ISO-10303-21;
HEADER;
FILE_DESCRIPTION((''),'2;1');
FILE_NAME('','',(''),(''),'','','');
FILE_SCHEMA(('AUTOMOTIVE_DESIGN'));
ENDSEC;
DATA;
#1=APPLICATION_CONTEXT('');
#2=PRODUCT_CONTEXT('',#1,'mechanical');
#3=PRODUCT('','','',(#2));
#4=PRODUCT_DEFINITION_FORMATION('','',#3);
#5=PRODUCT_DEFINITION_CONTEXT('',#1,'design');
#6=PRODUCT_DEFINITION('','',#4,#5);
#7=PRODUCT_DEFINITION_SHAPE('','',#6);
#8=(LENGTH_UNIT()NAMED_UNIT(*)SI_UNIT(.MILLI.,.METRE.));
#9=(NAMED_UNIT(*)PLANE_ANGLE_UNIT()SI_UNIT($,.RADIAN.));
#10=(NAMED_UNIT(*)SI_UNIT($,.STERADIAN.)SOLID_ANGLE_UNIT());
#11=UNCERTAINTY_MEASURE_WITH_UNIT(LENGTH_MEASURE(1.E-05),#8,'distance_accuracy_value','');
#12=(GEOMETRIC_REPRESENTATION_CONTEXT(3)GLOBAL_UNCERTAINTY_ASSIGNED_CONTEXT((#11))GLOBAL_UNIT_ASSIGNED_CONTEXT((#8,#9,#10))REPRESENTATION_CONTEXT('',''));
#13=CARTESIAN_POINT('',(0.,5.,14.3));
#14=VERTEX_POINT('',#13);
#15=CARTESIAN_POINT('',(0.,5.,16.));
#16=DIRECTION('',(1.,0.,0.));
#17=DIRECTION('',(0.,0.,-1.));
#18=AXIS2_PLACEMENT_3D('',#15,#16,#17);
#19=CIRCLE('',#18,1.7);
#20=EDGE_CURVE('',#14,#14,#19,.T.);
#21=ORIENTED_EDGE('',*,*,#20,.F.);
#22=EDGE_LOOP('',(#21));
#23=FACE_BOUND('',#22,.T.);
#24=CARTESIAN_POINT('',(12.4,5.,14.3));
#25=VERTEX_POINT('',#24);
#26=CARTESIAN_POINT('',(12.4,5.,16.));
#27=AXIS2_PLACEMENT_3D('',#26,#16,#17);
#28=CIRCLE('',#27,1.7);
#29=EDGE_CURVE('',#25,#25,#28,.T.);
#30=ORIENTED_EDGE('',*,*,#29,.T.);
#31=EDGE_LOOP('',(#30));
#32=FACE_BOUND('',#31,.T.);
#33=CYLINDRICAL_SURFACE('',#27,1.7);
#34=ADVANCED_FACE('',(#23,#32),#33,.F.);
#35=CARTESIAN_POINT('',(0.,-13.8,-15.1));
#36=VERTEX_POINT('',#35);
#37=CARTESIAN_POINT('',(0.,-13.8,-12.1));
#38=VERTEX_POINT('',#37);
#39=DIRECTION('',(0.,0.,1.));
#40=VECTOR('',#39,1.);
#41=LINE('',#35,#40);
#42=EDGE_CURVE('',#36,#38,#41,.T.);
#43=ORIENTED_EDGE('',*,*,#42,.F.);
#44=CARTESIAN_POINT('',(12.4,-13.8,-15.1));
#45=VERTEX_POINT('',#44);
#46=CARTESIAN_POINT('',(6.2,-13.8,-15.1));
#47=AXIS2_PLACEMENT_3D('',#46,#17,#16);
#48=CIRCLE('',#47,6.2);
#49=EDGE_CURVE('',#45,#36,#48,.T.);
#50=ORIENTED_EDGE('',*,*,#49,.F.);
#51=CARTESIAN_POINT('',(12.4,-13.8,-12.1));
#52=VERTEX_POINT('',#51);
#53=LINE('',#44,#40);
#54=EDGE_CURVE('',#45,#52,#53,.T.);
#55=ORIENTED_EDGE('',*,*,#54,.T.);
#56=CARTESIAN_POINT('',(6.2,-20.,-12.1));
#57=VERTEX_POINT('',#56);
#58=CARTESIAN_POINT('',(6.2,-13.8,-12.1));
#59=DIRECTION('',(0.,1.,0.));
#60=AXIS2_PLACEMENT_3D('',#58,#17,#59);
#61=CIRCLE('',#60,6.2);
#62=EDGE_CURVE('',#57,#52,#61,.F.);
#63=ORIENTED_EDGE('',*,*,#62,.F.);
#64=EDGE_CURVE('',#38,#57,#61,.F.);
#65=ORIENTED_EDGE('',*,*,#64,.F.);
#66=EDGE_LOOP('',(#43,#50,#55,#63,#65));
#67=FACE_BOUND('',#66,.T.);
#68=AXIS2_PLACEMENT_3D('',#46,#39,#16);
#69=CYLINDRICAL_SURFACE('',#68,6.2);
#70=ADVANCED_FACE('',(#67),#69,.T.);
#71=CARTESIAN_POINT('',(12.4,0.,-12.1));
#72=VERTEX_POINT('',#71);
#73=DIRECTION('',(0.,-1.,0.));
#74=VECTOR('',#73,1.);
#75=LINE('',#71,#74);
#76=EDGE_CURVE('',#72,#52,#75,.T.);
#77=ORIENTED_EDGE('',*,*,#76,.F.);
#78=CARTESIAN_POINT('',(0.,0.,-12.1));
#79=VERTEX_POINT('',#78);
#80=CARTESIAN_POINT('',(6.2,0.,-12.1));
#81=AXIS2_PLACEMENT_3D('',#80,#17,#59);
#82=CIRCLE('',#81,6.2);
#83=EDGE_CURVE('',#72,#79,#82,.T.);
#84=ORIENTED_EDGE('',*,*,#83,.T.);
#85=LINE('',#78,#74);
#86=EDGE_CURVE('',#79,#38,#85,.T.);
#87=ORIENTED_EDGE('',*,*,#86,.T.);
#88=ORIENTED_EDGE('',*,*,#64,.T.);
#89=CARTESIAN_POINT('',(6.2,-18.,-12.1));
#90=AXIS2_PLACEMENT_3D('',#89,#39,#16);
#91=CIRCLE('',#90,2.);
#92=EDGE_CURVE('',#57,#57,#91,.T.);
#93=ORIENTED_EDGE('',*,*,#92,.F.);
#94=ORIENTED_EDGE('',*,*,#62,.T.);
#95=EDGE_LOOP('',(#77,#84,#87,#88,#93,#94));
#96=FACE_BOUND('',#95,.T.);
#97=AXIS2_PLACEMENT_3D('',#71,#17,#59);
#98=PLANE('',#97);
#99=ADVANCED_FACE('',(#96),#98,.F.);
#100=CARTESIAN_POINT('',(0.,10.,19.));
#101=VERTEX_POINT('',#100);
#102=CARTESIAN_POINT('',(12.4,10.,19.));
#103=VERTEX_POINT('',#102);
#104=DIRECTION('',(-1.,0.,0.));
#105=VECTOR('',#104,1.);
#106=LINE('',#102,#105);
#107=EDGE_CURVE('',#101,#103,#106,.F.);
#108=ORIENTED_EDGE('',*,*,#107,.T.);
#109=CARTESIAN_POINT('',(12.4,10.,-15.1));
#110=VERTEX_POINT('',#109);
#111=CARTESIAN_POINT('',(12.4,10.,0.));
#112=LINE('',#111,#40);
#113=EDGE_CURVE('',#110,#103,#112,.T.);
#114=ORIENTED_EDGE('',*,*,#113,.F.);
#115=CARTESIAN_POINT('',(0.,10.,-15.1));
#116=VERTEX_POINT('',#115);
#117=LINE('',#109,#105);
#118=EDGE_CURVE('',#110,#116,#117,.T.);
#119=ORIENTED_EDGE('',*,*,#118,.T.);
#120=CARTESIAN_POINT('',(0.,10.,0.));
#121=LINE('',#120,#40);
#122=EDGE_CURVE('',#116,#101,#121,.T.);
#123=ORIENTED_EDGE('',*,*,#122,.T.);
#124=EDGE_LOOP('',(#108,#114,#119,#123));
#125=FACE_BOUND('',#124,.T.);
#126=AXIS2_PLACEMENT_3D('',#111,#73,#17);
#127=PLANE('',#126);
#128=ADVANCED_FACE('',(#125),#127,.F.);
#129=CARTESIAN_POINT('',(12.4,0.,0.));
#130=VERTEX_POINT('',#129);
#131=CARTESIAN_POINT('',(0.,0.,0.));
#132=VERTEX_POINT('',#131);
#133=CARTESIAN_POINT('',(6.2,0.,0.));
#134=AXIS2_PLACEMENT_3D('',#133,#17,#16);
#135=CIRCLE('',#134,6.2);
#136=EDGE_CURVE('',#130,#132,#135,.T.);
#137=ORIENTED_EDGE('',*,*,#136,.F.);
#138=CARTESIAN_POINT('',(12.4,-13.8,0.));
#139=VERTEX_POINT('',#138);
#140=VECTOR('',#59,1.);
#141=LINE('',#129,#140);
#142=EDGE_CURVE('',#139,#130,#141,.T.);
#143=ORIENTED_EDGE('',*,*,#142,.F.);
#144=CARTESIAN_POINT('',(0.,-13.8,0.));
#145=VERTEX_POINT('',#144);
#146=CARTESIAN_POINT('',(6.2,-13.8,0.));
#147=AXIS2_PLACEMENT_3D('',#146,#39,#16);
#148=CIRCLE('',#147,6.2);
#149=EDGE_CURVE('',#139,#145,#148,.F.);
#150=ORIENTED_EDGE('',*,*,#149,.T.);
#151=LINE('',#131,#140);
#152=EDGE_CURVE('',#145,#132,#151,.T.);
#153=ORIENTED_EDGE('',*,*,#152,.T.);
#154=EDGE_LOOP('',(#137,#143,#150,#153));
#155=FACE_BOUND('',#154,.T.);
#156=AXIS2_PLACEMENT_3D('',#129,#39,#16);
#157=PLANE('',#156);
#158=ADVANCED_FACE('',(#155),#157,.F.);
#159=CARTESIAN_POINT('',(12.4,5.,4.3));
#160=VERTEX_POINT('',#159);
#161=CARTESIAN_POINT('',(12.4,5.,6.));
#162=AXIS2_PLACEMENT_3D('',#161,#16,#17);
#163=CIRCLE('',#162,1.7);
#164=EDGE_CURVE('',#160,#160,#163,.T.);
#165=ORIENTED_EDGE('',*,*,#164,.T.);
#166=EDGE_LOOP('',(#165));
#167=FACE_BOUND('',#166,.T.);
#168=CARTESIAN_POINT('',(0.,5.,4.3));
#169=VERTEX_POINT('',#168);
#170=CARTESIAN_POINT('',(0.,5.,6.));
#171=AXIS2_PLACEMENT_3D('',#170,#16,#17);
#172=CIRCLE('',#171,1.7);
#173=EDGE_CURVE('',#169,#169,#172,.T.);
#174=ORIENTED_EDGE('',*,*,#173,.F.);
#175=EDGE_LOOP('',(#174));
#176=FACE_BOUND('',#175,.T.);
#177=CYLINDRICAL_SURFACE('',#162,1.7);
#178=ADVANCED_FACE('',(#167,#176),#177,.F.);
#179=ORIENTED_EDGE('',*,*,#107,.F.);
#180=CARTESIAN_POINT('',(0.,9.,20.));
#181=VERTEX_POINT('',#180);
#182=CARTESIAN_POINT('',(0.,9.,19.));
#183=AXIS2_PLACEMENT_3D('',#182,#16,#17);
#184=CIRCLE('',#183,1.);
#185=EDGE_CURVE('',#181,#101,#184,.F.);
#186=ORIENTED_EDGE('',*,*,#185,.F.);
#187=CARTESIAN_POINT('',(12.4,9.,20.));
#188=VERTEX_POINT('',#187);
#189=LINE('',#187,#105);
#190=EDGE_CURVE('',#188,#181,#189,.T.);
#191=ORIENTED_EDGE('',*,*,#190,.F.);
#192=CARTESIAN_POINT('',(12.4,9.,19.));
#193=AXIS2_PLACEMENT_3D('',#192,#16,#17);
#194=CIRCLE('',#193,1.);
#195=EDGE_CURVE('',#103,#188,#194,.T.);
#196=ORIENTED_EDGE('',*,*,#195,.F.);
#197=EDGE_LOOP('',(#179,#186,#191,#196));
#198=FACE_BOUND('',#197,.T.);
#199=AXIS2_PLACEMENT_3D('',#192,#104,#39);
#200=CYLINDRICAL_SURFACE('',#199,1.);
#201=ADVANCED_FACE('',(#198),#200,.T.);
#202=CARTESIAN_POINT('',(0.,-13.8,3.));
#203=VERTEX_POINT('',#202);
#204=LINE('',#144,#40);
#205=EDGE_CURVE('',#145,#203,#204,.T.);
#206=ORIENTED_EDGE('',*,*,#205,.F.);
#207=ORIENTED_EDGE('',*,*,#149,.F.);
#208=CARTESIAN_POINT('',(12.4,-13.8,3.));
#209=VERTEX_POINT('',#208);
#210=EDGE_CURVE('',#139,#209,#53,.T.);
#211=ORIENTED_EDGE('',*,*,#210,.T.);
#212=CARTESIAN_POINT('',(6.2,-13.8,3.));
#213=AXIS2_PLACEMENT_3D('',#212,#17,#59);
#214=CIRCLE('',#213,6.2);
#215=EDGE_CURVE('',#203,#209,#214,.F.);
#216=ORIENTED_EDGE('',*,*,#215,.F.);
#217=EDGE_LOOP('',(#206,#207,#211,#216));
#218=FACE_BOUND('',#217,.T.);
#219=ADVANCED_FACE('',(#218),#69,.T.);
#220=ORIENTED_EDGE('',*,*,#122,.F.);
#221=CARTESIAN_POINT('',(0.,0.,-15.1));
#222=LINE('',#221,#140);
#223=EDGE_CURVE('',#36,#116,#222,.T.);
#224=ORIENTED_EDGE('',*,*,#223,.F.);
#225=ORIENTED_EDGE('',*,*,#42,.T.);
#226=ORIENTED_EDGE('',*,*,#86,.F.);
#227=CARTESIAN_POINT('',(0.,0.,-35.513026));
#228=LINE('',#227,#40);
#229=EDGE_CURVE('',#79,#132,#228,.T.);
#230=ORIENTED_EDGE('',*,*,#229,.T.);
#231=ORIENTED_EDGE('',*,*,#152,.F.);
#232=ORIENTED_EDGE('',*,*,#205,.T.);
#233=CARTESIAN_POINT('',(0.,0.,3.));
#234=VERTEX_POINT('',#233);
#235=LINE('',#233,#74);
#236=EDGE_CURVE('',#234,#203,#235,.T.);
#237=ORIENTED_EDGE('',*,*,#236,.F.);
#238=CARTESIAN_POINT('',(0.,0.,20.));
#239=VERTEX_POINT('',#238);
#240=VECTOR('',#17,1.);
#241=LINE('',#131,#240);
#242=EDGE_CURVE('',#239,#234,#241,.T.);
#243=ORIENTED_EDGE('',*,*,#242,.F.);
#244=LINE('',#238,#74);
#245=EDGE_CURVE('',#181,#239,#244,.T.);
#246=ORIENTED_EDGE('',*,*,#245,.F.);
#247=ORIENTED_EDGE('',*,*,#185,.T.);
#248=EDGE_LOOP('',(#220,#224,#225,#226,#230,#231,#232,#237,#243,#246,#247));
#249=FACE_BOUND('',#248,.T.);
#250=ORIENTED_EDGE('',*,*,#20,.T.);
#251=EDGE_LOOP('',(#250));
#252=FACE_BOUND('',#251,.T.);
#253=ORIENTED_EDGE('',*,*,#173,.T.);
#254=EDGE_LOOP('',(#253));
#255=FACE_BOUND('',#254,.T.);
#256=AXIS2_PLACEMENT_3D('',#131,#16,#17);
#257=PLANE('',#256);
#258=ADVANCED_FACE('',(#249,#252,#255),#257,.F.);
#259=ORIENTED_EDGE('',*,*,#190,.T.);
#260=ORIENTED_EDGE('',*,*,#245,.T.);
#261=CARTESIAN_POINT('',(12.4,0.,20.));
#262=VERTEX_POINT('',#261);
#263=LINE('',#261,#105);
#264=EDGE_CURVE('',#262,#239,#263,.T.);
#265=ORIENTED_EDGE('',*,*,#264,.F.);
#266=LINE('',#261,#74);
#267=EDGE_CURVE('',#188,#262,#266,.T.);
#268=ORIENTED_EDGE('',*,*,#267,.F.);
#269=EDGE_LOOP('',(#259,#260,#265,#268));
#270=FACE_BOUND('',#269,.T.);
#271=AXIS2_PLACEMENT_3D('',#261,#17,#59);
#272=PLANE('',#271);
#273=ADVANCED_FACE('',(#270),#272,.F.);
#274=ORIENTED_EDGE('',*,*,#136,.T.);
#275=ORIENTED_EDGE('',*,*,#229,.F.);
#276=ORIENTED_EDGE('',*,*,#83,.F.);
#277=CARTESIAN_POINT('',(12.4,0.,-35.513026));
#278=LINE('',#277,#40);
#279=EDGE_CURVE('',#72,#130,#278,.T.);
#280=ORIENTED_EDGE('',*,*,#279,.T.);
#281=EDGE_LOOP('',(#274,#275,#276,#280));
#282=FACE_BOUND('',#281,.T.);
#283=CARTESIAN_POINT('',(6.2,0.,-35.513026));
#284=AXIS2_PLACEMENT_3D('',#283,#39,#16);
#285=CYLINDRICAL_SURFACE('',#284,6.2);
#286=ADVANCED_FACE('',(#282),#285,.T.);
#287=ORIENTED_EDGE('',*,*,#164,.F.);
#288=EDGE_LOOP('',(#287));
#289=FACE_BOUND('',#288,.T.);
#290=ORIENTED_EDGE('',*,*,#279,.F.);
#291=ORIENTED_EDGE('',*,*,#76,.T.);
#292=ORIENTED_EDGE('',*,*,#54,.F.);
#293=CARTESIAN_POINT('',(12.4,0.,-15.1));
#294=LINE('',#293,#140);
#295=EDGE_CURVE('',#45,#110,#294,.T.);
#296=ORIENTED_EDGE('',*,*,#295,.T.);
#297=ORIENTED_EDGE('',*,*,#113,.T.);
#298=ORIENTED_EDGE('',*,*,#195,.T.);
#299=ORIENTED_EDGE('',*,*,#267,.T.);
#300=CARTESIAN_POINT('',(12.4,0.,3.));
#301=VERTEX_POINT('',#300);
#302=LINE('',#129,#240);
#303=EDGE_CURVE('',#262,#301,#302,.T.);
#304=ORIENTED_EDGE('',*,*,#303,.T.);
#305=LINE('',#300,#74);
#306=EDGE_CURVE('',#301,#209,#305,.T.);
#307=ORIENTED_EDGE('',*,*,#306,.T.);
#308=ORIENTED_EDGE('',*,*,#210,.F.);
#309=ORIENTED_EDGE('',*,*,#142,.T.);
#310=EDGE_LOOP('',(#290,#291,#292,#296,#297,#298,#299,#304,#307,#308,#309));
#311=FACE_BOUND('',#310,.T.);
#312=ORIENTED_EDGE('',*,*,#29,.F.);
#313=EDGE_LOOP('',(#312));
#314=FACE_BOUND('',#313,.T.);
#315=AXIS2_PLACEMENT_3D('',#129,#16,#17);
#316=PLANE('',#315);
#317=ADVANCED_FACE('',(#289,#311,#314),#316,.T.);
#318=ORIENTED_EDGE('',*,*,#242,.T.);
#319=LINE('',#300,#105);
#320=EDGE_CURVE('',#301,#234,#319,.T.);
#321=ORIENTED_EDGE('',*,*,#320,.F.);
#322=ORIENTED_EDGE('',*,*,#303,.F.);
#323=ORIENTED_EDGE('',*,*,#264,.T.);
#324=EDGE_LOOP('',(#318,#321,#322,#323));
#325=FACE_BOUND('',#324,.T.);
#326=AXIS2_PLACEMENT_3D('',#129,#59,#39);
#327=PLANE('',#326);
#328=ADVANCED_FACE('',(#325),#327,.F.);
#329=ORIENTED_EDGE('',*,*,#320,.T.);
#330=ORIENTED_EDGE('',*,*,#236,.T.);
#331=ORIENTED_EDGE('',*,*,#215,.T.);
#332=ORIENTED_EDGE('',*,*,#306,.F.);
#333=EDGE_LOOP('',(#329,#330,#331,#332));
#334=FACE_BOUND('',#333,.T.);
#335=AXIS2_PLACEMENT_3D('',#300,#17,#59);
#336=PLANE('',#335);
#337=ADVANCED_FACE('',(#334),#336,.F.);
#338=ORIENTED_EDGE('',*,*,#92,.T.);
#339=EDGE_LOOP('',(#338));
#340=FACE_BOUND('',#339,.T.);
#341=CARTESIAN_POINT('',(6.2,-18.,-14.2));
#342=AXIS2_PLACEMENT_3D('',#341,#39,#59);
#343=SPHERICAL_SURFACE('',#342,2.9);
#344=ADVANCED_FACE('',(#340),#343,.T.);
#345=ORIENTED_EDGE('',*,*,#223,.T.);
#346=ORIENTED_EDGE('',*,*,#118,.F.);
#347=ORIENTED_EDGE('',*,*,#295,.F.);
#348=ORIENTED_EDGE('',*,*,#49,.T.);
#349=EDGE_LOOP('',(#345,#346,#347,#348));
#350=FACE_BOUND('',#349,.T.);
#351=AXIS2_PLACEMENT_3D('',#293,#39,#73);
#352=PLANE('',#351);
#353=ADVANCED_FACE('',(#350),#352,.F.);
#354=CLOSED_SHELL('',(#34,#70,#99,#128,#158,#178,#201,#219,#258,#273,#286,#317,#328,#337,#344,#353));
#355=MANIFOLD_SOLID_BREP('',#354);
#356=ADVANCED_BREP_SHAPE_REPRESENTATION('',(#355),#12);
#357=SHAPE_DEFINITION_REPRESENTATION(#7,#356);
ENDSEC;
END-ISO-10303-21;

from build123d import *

# Parameters (mm, degrees)
EXTRUDE_1_DEPTH          = 12.4
CUT_EXTRUDE_1_DEPTH      = 12.1
CUT_EXTRUDE_2_DEPTH      = 21
CUT_EXTRUDE_2_DEPTH_BACK = 16.1
HOLE_WIZARD_M32_D        = 3.4
HOLE_WIZARD_M32_DEPTH    = 15
HOLE_WIZARD_M32_TIP      = 1.021463052
FILLET_2_R               = 1


with BuildPart() as part:
    # Эскиз2 → Бобышка-Вытянуть1 (new body)
    with BuildSketch(Plane(origin=(0, 0, 0), x_dir=(0, 0, -1), z_dir=(1, 0, 0))):
        Polygon((12.1, -8), (12.1, -20), (15.1, -20), (15.1, 10), (-20, 10), (-20, 0), (-3, 0), (-3, -20), (0, -20), (0, -8), align=None)
    extrude(amount=EXTRUDE_1_DEPTH)

    # Эскиз3 → Вырез-Вытянуть1 (cut)
    with BuildSketch(Plane.XY):
        with BuildLine():
            Line((0, 0), (-4.310236897, 0))
            Line((-4.310236897, 0), (-4.310236897, -10.158248203))
            Line((-4.310236897, -10.158248203), (16.784307367, -10.158248203))
            Line((16.784307367, -10.158248203), (16.784307367, 0))
            Line((16.784307367, 0), (12.4, 0))
            ThreePointArc((12.4, 0), (6.2, -6.2), (0, 0))
        make_face()
    extrude(amount=-CUT_EXTRUDE_1_DEPTH, mode=Mode.SUBTRACT)

    # Эскиз4 → Вырез-Вытянуть2 (cut, two sides)
    with BuildSketch(Plane.XY) as cut_extrude_2_sk:
        with BuildLine():
            Line((0, -13.8), (-4.529189241, -13.8))
            Line((-4.529189241, -13.8), (-4.529189241, -23.032738442))
            Line((-4.529189241, -23.032738442), (17.457291493, -23.032738442))
            Line((17.457291493, -23.032738442), (17.457291493, -13.8))
            Line((17.457291493, -13.8), (12.4, -13.8))
            ThreePointArc((12.4, -13.8), (6.2, -20), (0, -13.8))
        make_face()
    extrude(amount=CUT_EXTRUDE_2_DEPTH, mode=Mode.SUBTRACT)
    extrude(cut_extrude_2_sk.sketch, amount=-CUT_EXTRUDE_2_DEPTH_BACK, mode=Mode.SUBTRACT)

    # Отверстие с зазором M32
    with Locations(Plane(origin=(12.4, 0, 0), x_dir=(0, 0, -1), z_dir=(1, 0, 0))):
        with Locations((-6, 5), (-16, 5)):
            Hole(HOLE_WIZARD_M32_D / 2, depth=HOLE_WIZARD_M32_DEPTH)
            with Locations((0, 0, -(HOLE_WIZARD_M32_DEPTH + HOLE_WIZARD_M32_TIP / 2))):  # 118° drill point
                Cone(0, HOLE_WIZARD_M32_D / 2, HOLE_WIZARD_M32_TIP, mode=Mode.SUBTRACT)

    # Эскиз12 → Повернуть1 (revolve)
    with BuildSketch(Plane(origin=(6.2, 0, 0), x_dir=(0, 0, -1), z_dir=(1, 0, 0))):
        with BuildLine():
            Line((12.1, -20), (12.1, -18))
            Line((12.1, -18), (11.3, -18))
            ThreePointArc((11.3, -18), (11.507417596, -19.077032961), (12.1, -20))
        make_face()
    revolve(axis=Axis((6.2, -18, -11.3), (0, 0, -1)))

    # Скругление2
    fillet_2_edges = [part.edges().sort_by_distance(p)[0] for p in [
        (6.2, 10, 20),
    ]]
    fillet(fillet_2_edges, radius=FILLET_2_R)


solid = part.part
